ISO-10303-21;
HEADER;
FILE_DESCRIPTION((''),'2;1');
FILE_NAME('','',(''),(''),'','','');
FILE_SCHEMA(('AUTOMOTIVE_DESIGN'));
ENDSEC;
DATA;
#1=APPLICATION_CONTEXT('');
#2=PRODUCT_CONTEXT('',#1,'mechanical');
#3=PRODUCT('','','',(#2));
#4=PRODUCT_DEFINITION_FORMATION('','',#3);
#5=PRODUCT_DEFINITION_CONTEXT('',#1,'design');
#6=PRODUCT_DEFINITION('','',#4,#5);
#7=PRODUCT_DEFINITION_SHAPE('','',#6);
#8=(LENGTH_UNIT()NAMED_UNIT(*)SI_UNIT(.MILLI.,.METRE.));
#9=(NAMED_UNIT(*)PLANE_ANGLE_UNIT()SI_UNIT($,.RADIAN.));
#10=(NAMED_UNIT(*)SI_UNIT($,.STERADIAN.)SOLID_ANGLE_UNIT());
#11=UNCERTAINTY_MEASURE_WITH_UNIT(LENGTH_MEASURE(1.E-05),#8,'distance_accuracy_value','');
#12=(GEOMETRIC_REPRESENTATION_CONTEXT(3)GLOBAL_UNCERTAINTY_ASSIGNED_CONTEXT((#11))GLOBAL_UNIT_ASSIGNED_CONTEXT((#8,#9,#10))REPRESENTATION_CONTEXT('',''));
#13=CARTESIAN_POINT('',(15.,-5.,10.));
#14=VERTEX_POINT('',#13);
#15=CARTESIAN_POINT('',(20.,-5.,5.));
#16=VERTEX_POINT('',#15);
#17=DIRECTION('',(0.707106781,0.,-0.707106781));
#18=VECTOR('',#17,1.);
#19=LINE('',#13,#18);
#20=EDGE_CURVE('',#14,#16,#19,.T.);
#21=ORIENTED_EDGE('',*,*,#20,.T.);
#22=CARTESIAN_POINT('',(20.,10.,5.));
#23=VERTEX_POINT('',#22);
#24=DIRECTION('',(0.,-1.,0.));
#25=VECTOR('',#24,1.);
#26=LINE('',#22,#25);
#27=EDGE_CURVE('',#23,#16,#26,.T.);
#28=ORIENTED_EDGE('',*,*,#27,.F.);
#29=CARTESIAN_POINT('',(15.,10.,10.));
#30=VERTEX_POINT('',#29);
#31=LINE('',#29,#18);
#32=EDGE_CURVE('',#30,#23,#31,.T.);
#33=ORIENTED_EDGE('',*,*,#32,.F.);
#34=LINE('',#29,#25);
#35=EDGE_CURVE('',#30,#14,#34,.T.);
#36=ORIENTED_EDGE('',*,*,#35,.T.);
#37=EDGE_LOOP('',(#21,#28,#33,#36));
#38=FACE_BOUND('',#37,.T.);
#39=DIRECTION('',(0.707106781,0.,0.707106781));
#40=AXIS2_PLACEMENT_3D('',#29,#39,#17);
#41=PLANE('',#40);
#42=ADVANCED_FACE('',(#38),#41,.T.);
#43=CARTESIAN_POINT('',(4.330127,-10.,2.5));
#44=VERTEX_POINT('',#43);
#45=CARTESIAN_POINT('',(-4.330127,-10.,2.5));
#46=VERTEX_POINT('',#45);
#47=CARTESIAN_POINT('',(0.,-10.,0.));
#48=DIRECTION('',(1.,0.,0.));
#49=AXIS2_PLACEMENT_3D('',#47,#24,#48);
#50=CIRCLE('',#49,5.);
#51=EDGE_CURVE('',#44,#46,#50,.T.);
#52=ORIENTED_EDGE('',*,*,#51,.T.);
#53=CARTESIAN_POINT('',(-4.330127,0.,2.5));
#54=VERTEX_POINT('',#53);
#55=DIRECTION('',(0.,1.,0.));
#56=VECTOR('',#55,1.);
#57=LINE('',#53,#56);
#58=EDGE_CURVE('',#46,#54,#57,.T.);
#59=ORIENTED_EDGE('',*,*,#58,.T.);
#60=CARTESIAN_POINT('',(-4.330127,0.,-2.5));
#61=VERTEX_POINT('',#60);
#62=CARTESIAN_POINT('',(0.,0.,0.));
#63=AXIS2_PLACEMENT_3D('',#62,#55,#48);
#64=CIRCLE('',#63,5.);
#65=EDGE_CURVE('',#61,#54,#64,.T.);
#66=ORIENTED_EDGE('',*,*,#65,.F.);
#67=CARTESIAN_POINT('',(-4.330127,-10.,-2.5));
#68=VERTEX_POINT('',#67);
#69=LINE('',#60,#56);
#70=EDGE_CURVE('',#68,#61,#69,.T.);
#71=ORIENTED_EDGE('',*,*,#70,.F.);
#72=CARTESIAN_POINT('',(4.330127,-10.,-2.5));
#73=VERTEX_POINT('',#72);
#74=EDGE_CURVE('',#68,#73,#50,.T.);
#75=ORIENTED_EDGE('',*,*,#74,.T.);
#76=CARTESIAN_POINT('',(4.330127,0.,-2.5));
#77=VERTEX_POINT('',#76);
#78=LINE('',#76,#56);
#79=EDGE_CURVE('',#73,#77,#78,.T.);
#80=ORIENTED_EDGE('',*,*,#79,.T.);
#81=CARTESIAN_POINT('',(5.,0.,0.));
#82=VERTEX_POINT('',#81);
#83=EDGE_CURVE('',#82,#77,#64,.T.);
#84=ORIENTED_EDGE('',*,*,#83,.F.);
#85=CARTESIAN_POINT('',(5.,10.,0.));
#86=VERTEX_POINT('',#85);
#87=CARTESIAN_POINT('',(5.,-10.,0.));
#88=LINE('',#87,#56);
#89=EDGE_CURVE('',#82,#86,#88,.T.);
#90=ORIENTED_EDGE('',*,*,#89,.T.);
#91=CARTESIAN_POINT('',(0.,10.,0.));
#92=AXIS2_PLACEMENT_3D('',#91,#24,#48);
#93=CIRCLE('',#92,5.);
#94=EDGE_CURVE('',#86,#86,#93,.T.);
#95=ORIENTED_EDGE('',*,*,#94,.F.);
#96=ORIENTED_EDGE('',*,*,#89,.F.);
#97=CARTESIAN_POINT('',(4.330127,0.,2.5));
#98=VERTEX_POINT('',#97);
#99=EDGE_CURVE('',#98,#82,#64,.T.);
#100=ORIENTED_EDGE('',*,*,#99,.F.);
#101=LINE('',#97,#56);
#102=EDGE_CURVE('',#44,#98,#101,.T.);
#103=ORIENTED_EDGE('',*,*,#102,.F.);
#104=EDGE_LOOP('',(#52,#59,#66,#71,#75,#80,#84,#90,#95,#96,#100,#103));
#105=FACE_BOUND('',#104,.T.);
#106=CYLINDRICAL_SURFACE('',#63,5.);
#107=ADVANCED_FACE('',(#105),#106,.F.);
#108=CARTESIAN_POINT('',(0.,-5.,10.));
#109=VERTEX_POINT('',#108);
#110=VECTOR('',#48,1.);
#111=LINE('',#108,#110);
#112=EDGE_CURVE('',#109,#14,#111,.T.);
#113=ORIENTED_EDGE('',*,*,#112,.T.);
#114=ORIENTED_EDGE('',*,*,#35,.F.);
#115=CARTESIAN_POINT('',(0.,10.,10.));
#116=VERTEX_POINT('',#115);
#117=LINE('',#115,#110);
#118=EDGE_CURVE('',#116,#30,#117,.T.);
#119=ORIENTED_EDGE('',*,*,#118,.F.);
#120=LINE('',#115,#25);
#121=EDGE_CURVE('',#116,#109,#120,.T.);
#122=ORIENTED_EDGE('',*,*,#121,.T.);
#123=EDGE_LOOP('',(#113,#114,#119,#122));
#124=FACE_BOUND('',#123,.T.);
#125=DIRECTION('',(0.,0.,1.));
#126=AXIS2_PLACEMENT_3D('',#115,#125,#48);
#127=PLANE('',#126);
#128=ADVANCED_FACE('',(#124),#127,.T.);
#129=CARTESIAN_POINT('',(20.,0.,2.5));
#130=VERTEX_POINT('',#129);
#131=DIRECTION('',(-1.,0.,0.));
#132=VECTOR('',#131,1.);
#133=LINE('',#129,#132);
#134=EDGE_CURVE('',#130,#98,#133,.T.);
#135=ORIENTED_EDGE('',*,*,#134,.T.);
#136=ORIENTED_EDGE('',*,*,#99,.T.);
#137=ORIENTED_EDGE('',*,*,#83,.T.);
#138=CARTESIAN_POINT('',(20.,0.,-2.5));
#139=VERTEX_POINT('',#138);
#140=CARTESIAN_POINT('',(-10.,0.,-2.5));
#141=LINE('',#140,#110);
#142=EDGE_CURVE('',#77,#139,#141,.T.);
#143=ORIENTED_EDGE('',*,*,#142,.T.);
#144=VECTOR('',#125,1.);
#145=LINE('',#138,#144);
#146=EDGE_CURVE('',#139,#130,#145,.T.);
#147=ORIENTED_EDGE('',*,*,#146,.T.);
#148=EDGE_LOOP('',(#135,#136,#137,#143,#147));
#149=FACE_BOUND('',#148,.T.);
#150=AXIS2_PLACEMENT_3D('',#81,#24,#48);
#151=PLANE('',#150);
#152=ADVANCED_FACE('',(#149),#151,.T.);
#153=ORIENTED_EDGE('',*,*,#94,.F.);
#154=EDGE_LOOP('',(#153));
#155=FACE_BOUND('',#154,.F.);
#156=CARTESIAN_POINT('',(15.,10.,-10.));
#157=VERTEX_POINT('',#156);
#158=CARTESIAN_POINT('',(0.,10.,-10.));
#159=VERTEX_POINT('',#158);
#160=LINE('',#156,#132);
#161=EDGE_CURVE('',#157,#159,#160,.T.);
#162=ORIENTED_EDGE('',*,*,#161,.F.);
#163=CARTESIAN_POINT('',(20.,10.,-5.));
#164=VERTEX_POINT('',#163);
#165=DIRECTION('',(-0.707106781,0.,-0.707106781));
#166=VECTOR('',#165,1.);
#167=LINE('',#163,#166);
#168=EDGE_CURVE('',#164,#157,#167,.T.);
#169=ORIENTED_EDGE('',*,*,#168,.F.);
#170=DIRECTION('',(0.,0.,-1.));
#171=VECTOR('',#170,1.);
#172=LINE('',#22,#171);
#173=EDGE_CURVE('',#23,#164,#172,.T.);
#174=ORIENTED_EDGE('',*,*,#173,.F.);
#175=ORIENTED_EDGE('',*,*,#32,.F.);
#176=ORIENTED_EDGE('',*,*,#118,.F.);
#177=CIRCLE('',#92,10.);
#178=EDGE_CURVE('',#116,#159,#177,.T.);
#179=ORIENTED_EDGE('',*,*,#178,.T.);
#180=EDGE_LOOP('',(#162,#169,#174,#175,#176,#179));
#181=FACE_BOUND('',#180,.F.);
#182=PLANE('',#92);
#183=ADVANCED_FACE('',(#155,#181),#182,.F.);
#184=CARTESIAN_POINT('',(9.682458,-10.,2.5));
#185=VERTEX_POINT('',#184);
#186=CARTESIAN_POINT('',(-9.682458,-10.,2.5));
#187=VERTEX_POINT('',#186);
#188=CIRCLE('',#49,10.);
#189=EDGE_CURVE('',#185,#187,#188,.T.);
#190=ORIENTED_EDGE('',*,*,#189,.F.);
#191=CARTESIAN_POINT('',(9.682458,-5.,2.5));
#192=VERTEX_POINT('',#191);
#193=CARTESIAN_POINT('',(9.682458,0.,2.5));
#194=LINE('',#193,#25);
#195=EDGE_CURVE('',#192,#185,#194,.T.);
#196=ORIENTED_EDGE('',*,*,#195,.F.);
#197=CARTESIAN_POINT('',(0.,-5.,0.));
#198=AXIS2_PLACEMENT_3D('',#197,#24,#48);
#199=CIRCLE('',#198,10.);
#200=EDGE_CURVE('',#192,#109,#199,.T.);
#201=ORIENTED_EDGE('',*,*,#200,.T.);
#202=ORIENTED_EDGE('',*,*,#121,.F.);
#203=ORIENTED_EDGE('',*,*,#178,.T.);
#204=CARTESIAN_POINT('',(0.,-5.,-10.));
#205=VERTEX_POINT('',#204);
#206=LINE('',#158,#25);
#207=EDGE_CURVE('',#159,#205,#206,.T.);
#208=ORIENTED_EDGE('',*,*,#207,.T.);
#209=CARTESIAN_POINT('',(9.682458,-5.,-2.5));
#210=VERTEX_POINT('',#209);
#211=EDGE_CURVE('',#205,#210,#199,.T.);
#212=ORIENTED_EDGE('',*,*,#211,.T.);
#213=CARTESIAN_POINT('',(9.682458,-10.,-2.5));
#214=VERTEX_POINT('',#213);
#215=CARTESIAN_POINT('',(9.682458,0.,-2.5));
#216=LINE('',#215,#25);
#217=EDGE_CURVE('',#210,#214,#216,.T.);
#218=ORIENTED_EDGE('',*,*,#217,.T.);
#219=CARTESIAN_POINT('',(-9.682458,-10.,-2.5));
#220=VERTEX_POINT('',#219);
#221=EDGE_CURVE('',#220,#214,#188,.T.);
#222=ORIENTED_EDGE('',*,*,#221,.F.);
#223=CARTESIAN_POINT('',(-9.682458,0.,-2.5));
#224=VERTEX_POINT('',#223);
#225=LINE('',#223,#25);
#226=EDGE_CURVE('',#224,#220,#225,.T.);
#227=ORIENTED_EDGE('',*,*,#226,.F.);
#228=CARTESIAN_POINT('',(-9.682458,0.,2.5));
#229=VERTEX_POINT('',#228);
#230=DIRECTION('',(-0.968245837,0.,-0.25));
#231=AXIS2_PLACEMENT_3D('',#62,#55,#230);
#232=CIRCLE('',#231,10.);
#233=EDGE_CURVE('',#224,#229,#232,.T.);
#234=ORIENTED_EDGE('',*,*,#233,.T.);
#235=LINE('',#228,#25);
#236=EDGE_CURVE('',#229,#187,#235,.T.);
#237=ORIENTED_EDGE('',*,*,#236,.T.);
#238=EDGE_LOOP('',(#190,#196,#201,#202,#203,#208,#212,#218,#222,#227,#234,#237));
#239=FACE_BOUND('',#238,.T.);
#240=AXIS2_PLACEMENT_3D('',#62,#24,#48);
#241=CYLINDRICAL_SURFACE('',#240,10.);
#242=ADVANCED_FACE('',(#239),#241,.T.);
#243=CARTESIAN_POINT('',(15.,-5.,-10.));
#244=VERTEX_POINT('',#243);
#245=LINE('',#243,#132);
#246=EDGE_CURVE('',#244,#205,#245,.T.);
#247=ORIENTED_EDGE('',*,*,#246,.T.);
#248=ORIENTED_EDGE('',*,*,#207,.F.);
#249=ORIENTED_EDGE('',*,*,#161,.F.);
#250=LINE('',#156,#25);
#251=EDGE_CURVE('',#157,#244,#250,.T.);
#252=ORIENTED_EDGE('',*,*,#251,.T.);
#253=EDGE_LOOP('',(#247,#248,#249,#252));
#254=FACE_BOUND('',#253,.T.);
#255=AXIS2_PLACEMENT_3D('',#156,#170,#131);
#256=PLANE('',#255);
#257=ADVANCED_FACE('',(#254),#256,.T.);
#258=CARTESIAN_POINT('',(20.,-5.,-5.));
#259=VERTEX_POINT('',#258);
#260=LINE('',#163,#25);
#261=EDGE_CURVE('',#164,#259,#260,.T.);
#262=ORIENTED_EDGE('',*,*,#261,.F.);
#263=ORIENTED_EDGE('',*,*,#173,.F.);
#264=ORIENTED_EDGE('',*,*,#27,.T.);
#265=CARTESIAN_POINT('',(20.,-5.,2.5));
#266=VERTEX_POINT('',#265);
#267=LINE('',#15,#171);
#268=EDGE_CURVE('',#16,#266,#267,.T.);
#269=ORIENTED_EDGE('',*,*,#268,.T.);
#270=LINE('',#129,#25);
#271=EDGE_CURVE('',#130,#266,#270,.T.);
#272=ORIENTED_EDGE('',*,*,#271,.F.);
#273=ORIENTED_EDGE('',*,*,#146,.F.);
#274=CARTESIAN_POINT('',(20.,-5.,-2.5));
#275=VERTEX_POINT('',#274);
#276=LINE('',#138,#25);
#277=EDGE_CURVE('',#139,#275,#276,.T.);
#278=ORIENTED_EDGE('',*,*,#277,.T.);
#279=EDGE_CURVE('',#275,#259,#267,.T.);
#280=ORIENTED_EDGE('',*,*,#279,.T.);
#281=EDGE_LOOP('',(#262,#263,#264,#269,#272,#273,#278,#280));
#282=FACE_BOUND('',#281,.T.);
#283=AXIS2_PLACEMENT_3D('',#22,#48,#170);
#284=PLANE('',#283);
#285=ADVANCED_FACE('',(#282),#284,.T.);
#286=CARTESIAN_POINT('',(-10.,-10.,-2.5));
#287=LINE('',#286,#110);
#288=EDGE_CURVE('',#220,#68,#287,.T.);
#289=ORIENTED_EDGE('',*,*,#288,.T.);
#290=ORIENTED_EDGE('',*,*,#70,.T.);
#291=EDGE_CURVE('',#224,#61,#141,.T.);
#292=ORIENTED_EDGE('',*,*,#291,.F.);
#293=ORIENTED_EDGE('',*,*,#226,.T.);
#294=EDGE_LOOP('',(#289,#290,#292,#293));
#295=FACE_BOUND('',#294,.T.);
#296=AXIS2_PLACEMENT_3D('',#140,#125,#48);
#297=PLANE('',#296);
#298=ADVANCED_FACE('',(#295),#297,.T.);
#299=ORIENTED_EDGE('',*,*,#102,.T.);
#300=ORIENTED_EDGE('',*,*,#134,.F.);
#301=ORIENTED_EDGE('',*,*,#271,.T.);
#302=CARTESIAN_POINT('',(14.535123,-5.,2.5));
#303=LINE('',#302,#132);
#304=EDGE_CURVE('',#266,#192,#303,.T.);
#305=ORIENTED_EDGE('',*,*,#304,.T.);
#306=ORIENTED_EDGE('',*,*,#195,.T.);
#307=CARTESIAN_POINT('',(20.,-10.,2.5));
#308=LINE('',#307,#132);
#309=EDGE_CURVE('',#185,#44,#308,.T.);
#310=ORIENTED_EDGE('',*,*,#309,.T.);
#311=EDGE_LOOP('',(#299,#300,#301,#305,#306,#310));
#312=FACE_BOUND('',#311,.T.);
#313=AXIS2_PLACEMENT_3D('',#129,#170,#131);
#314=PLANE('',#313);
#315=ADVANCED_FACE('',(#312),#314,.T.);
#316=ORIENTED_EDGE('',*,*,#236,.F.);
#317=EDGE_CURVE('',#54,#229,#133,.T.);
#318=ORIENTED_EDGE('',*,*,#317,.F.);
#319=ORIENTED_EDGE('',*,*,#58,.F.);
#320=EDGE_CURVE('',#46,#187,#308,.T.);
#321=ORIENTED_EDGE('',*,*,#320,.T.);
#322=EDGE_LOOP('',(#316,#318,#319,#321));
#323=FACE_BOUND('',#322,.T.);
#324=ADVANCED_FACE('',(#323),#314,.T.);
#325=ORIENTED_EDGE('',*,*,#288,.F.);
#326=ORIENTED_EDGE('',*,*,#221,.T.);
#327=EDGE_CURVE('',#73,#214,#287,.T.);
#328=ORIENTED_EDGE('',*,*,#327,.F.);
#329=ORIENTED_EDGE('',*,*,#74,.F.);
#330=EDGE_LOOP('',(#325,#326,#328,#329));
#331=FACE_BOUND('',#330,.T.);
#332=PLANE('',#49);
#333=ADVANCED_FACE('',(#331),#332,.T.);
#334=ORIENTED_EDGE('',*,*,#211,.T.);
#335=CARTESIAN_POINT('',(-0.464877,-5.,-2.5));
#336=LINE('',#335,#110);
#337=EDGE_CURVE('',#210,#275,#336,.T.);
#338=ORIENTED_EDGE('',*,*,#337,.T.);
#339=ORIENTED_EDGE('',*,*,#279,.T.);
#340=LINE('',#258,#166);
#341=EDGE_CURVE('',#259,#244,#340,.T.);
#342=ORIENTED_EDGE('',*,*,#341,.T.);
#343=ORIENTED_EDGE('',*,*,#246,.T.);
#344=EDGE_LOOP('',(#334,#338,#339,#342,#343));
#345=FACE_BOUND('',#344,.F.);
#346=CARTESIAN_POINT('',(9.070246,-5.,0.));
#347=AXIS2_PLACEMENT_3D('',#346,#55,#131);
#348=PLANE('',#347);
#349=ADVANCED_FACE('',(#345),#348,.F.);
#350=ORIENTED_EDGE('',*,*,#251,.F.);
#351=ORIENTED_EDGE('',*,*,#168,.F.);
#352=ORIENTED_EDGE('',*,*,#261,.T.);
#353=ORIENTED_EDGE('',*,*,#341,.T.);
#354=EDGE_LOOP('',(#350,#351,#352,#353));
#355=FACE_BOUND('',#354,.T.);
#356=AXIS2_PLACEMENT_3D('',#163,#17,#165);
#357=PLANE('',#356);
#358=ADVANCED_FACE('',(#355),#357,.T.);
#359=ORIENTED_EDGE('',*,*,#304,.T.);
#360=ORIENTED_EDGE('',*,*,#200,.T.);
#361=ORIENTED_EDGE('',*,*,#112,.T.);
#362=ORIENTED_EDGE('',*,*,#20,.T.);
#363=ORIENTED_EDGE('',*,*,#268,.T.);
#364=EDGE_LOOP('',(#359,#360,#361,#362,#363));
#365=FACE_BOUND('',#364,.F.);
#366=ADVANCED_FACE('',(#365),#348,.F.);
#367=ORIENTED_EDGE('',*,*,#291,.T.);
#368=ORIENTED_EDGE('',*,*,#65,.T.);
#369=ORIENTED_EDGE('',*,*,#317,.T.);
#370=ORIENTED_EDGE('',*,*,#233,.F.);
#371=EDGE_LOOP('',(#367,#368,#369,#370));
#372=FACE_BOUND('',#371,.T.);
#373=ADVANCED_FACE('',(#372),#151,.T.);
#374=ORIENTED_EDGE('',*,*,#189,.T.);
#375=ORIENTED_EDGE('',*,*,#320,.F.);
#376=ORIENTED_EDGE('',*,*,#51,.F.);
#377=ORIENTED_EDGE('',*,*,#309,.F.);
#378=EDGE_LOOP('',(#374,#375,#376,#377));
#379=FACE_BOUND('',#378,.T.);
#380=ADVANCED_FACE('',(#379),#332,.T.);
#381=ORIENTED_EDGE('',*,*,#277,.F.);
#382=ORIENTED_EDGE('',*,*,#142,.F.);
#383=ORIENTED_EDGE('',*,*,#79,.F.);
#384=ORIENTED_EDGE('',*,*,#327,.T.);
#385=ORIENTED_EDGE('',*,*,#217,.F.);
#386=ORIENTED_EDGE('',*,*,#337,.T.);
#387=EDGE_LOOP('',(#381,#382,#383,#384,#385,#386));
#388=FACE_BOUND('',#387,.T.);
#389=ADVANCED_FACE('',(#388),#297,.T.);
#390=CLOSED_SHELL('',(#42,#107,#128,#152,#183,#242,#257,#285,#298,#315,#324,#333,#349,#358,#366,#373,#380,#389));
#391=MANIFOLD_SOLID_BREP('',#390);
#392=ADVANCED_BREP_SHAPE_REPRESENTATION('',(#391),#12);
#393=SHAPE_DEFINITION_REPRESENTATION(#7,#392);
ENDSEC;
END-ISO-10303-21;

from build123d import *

# Parameters (mm, degrees)
F0_R     = 10
F0_R_2   = 5
F1_DEPTH = 10
F3_DEPTH = 15
F4_DEPTH = 10
F6_DEPTH = 10


with BuildPart() as f1:
    # F0 (on Front) → F1 (new body, symmetric)
    with BuildSketch(Plane.XZ):
        Circle(F0_R)
        Circle(F0_R_2, mode=Mode.SUBTRACT)
    extrude(amount=F1_DEPTH, both=True)

    # F2 (on face) → F3 (join)
    with BuildSketch(Plane(origin=(0, 10, 0), x_dir=(-1, 0, 0), z_dir=(0, 1, 0))):
        Polygon((0, -10), (0, 0), (0, 10), (-15, 10), (-20, 5), (-20, -5), (-15, -10), align=None)
    extrude(amount=-F3_DEPTH)

    # F0 (on Front) → F4 (cut, symmetric)
    with BuildSketch(Plane.XZ):
        Circle(F0_R_2)
    extrude(amount=F4_DEPTH, both=True, mode=Mode.SUBTRACT)

    # F5 (on Front) → F6 (cut, through all)
    with BuildSketch(Plane.XZ):
        Polygon((20, 2.5), (0, 2.5), (-10, 2.5), (-10, -2.5), (20, -2.5), align=None)
    extrude(amount=F6_DEPTH, mode=Mode.SUBTRACT)


solid = f1.part
